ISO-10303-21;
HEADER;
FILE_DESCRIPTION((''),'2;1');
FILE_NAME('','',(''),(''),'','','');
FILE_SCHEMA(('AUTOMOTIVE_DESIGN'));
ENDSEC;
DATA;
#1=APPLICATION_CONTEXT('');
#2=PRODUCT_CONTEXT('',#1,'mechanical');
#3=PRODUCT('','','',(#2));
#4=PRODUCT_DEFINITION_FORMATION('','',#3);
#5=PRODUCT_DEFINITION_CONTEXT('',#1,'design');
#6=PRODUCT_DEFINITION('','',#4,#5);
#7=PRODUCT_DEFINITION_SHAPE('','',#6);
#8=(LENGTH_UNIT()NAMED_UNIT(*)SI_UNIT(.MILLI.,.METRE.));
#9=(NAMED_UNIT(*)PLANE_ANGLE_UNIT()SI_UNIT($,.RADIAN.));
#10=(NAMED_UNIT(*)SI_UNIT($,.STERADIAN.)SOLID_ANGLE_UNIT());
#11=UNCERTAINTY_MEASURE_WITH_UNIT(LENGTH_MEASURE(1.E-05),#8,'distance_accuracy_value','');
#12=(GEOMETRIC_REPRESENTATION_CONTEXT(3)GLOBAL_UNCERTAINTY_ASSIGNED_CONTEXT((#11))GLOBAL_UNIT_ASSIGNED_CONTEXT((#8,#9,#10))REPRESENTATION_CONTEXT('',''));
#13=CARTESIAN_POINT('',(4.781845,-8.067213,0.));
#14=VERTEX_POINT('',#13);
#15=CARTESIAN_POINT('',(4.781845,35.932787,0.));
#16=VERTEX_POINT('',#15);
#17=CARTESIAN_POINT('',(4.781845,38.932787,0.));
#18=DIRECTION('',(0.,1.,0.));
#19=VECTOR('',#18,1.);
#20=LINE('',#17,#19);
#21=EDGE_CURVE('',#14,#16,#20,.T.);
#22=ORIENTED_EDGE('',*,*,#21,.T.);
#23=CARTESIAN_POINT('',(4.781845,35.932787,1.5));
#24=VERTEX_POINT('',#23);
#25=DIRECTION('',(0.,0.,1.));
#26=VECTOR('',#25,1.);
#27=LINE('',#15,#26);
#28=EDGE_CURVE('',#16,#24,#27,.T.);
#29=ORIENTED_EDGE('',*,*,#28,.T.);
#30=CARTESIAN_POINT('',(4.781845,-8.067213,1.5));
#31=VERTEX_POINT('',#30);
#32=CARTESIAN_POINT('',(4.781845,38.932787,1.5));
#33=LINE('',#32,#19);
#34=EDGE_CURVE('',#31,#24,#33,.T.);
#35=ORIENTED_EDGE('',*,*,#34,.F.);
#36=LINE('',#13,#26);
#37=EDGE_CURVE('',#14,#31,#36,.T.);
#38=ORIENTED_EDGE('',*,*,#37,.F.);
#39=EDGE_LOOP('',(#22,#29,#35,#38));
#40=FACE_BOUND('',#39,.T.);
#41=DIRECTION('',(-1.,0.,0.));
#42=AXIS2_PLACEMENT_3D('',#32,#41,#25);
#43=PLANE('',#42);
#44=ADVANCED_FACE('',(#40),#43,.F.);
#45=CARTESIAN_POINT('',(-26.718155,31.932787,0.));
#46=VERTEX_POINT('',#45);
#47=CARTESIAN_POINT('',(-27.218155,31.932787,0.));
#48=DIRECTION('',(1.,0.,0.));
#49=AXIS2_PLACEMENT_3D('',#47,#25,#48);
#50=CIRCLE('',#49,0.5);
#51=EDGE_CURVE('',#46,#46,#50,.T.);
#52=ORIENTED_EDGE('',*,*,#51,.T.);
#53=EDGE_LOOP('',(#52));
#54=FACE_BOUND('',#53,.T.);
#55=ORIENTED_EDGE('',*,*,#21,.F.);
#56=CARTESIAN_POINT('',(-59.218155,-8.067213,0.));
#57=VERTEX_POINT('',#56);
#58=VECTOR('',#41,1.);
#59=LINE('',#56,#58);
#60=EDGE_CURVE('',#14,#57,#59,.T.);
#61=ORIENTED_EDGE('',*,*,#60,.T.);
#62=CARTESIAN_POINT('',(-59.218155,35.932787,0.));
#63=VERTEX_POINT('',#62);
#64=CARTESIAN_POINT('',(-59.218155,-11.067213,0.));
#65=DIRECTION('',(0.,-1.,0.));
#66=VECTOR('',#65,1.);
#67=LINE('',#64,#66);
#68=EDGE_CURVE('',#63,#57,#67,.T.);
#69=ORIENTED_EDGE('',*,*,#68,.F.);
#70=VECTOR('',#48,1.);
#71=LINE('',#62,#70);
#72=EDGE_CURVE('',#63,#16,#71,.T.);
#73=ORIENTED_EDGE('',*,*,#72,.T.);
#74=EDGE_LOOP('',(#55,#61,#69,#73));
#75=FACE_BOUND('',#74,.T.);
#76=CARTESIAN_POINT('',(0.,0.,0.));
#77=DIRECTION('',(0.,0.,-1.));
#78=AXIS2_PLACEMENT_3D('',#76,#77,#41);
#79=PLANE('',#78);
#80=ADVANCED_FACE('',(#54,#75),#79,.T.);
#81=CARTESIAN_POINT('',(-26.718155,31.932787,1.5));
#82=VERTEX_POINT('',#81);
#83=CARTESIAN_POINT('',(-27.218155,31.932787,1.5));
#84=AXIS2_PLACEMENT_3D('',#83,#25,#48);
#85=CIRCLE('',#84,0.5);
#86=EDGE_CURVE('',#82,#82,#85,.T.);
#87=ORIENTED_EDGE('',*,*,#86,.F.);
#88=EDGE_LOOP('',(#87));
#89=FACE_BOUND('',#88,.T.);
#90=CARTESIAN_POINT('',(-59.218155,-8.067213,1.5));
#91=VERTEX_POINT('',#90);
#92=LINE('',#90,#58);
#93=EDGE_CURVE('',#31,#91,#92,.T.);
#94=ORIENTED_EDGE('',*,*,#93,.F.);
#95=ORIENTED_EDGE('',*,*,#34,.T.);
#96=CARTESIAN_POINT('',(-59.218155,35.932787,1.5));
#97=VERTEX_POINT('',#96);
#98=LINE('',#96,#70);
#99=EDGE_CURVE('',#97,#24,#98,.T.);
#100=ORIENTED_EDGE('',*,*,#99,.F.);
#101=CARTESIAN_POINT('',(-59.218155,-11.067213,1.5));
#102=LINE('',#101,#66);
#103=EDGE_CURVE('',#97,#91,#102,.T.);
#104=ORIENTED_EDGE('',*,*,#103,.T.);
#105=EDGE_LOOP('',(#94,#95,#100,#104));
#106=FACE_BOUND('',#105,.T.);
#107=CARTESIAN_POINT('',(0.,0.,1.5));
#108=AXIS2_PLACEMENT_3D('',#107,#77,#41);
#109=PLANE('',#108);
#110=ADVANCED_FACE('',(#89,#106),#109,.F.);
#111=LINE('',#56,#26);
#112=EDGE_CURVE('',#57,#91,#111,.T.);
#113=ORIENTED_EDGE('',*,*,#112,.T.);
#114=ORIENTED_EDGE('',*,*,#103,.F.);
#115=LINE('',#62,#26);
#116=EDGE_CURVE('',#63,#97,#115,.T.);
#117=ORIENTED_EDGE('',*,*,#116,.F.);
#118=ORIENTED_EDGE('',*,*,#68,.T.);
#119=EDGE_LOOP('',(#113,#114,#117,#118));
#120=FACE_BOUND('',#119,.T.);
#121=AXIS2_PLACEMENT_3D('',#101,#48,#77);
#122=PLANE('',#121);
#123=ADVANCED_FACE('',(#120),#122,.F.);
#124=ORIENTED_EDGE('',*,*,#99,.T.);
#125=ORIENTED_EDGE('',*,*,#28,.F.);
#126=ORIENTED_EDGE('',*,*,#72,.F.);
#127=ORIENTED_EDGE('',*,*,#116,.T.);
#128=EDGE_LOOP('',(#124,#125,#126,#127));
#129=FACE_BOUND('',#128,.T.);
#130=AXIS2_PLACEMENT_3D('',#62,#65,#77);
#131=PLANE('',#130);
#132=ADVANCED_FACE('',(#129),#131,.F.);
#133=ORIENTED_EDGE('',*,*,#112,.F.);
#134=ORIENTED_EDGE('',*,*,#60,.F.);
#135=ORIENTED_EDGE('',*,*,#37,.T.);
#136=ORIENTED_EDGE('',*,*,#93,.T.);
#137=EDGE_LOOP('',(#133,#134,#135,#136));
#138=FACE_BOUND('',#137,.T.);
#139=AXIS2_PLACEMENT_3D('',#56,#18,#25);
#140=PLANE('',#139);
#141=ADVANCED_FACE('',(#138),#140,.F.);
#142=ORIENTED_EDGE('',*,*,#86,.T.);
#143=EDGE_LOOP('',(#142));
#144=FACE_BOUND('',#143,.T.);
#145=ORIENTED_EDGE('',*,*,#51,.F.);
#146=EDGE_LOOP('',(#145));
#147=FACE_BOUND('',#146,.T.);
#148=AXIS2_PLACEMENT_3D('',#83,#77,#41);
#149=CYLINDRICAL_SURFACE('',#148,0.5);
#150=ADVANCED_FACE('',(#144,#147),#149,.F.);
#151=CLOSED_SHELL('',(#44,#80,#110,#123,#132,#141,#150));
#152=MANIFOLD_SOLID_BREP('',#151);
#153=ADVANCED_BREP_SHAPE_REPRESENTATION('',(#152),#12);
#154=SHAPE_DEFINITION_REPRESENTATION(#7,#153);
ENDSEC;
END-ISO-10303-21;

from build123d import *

# Parameters (mm, degrees)
SKETCH_1_W          = 64
SKETCH_1_H          = 50
SKETCH_1_R          = 0.5
EXTRUDE_1_DEPTH     = 1.5
SKETCH_2_W          = 64
SKETCH_2_H          = 3
CUT_EXTRUDE_1_DEPTH = 1.5


with BuildPart() as part:
    # 草图1 → 凸台-拉伸1 (new body)
    with BuildSketch(Plane.XY):
        with Locations((-27.218154809, 13.932786885)):
            Rectangle(SKETCH_1_W, SKETCH_1_H)
        with Locations((-27.218154809, 31.932786885)):
            Circle(SKETCH_1_R, mode=Mode.SUBTRACT)
    extrude(amount=EXTRUDE_1_DEPTH)

    # 草图2 → 切除-拉伸1 (cut)
    with BuildSketch(Plane.XY.offset(1.5)):
        with Locations((-27.218154809, -9.567213115)):
            Rectangle(SKETCH_2_W, SKETCH_2_H)
        with Locations((-27.218154809, 37.432786885)):
            Rectangle(SKETCH_2_W, SKETCH_2_H)
    extrude(amount=-CUT_EXTRUDE_1_DEPTH, mode=Mode.SUBTRACT)


solid = part.part
